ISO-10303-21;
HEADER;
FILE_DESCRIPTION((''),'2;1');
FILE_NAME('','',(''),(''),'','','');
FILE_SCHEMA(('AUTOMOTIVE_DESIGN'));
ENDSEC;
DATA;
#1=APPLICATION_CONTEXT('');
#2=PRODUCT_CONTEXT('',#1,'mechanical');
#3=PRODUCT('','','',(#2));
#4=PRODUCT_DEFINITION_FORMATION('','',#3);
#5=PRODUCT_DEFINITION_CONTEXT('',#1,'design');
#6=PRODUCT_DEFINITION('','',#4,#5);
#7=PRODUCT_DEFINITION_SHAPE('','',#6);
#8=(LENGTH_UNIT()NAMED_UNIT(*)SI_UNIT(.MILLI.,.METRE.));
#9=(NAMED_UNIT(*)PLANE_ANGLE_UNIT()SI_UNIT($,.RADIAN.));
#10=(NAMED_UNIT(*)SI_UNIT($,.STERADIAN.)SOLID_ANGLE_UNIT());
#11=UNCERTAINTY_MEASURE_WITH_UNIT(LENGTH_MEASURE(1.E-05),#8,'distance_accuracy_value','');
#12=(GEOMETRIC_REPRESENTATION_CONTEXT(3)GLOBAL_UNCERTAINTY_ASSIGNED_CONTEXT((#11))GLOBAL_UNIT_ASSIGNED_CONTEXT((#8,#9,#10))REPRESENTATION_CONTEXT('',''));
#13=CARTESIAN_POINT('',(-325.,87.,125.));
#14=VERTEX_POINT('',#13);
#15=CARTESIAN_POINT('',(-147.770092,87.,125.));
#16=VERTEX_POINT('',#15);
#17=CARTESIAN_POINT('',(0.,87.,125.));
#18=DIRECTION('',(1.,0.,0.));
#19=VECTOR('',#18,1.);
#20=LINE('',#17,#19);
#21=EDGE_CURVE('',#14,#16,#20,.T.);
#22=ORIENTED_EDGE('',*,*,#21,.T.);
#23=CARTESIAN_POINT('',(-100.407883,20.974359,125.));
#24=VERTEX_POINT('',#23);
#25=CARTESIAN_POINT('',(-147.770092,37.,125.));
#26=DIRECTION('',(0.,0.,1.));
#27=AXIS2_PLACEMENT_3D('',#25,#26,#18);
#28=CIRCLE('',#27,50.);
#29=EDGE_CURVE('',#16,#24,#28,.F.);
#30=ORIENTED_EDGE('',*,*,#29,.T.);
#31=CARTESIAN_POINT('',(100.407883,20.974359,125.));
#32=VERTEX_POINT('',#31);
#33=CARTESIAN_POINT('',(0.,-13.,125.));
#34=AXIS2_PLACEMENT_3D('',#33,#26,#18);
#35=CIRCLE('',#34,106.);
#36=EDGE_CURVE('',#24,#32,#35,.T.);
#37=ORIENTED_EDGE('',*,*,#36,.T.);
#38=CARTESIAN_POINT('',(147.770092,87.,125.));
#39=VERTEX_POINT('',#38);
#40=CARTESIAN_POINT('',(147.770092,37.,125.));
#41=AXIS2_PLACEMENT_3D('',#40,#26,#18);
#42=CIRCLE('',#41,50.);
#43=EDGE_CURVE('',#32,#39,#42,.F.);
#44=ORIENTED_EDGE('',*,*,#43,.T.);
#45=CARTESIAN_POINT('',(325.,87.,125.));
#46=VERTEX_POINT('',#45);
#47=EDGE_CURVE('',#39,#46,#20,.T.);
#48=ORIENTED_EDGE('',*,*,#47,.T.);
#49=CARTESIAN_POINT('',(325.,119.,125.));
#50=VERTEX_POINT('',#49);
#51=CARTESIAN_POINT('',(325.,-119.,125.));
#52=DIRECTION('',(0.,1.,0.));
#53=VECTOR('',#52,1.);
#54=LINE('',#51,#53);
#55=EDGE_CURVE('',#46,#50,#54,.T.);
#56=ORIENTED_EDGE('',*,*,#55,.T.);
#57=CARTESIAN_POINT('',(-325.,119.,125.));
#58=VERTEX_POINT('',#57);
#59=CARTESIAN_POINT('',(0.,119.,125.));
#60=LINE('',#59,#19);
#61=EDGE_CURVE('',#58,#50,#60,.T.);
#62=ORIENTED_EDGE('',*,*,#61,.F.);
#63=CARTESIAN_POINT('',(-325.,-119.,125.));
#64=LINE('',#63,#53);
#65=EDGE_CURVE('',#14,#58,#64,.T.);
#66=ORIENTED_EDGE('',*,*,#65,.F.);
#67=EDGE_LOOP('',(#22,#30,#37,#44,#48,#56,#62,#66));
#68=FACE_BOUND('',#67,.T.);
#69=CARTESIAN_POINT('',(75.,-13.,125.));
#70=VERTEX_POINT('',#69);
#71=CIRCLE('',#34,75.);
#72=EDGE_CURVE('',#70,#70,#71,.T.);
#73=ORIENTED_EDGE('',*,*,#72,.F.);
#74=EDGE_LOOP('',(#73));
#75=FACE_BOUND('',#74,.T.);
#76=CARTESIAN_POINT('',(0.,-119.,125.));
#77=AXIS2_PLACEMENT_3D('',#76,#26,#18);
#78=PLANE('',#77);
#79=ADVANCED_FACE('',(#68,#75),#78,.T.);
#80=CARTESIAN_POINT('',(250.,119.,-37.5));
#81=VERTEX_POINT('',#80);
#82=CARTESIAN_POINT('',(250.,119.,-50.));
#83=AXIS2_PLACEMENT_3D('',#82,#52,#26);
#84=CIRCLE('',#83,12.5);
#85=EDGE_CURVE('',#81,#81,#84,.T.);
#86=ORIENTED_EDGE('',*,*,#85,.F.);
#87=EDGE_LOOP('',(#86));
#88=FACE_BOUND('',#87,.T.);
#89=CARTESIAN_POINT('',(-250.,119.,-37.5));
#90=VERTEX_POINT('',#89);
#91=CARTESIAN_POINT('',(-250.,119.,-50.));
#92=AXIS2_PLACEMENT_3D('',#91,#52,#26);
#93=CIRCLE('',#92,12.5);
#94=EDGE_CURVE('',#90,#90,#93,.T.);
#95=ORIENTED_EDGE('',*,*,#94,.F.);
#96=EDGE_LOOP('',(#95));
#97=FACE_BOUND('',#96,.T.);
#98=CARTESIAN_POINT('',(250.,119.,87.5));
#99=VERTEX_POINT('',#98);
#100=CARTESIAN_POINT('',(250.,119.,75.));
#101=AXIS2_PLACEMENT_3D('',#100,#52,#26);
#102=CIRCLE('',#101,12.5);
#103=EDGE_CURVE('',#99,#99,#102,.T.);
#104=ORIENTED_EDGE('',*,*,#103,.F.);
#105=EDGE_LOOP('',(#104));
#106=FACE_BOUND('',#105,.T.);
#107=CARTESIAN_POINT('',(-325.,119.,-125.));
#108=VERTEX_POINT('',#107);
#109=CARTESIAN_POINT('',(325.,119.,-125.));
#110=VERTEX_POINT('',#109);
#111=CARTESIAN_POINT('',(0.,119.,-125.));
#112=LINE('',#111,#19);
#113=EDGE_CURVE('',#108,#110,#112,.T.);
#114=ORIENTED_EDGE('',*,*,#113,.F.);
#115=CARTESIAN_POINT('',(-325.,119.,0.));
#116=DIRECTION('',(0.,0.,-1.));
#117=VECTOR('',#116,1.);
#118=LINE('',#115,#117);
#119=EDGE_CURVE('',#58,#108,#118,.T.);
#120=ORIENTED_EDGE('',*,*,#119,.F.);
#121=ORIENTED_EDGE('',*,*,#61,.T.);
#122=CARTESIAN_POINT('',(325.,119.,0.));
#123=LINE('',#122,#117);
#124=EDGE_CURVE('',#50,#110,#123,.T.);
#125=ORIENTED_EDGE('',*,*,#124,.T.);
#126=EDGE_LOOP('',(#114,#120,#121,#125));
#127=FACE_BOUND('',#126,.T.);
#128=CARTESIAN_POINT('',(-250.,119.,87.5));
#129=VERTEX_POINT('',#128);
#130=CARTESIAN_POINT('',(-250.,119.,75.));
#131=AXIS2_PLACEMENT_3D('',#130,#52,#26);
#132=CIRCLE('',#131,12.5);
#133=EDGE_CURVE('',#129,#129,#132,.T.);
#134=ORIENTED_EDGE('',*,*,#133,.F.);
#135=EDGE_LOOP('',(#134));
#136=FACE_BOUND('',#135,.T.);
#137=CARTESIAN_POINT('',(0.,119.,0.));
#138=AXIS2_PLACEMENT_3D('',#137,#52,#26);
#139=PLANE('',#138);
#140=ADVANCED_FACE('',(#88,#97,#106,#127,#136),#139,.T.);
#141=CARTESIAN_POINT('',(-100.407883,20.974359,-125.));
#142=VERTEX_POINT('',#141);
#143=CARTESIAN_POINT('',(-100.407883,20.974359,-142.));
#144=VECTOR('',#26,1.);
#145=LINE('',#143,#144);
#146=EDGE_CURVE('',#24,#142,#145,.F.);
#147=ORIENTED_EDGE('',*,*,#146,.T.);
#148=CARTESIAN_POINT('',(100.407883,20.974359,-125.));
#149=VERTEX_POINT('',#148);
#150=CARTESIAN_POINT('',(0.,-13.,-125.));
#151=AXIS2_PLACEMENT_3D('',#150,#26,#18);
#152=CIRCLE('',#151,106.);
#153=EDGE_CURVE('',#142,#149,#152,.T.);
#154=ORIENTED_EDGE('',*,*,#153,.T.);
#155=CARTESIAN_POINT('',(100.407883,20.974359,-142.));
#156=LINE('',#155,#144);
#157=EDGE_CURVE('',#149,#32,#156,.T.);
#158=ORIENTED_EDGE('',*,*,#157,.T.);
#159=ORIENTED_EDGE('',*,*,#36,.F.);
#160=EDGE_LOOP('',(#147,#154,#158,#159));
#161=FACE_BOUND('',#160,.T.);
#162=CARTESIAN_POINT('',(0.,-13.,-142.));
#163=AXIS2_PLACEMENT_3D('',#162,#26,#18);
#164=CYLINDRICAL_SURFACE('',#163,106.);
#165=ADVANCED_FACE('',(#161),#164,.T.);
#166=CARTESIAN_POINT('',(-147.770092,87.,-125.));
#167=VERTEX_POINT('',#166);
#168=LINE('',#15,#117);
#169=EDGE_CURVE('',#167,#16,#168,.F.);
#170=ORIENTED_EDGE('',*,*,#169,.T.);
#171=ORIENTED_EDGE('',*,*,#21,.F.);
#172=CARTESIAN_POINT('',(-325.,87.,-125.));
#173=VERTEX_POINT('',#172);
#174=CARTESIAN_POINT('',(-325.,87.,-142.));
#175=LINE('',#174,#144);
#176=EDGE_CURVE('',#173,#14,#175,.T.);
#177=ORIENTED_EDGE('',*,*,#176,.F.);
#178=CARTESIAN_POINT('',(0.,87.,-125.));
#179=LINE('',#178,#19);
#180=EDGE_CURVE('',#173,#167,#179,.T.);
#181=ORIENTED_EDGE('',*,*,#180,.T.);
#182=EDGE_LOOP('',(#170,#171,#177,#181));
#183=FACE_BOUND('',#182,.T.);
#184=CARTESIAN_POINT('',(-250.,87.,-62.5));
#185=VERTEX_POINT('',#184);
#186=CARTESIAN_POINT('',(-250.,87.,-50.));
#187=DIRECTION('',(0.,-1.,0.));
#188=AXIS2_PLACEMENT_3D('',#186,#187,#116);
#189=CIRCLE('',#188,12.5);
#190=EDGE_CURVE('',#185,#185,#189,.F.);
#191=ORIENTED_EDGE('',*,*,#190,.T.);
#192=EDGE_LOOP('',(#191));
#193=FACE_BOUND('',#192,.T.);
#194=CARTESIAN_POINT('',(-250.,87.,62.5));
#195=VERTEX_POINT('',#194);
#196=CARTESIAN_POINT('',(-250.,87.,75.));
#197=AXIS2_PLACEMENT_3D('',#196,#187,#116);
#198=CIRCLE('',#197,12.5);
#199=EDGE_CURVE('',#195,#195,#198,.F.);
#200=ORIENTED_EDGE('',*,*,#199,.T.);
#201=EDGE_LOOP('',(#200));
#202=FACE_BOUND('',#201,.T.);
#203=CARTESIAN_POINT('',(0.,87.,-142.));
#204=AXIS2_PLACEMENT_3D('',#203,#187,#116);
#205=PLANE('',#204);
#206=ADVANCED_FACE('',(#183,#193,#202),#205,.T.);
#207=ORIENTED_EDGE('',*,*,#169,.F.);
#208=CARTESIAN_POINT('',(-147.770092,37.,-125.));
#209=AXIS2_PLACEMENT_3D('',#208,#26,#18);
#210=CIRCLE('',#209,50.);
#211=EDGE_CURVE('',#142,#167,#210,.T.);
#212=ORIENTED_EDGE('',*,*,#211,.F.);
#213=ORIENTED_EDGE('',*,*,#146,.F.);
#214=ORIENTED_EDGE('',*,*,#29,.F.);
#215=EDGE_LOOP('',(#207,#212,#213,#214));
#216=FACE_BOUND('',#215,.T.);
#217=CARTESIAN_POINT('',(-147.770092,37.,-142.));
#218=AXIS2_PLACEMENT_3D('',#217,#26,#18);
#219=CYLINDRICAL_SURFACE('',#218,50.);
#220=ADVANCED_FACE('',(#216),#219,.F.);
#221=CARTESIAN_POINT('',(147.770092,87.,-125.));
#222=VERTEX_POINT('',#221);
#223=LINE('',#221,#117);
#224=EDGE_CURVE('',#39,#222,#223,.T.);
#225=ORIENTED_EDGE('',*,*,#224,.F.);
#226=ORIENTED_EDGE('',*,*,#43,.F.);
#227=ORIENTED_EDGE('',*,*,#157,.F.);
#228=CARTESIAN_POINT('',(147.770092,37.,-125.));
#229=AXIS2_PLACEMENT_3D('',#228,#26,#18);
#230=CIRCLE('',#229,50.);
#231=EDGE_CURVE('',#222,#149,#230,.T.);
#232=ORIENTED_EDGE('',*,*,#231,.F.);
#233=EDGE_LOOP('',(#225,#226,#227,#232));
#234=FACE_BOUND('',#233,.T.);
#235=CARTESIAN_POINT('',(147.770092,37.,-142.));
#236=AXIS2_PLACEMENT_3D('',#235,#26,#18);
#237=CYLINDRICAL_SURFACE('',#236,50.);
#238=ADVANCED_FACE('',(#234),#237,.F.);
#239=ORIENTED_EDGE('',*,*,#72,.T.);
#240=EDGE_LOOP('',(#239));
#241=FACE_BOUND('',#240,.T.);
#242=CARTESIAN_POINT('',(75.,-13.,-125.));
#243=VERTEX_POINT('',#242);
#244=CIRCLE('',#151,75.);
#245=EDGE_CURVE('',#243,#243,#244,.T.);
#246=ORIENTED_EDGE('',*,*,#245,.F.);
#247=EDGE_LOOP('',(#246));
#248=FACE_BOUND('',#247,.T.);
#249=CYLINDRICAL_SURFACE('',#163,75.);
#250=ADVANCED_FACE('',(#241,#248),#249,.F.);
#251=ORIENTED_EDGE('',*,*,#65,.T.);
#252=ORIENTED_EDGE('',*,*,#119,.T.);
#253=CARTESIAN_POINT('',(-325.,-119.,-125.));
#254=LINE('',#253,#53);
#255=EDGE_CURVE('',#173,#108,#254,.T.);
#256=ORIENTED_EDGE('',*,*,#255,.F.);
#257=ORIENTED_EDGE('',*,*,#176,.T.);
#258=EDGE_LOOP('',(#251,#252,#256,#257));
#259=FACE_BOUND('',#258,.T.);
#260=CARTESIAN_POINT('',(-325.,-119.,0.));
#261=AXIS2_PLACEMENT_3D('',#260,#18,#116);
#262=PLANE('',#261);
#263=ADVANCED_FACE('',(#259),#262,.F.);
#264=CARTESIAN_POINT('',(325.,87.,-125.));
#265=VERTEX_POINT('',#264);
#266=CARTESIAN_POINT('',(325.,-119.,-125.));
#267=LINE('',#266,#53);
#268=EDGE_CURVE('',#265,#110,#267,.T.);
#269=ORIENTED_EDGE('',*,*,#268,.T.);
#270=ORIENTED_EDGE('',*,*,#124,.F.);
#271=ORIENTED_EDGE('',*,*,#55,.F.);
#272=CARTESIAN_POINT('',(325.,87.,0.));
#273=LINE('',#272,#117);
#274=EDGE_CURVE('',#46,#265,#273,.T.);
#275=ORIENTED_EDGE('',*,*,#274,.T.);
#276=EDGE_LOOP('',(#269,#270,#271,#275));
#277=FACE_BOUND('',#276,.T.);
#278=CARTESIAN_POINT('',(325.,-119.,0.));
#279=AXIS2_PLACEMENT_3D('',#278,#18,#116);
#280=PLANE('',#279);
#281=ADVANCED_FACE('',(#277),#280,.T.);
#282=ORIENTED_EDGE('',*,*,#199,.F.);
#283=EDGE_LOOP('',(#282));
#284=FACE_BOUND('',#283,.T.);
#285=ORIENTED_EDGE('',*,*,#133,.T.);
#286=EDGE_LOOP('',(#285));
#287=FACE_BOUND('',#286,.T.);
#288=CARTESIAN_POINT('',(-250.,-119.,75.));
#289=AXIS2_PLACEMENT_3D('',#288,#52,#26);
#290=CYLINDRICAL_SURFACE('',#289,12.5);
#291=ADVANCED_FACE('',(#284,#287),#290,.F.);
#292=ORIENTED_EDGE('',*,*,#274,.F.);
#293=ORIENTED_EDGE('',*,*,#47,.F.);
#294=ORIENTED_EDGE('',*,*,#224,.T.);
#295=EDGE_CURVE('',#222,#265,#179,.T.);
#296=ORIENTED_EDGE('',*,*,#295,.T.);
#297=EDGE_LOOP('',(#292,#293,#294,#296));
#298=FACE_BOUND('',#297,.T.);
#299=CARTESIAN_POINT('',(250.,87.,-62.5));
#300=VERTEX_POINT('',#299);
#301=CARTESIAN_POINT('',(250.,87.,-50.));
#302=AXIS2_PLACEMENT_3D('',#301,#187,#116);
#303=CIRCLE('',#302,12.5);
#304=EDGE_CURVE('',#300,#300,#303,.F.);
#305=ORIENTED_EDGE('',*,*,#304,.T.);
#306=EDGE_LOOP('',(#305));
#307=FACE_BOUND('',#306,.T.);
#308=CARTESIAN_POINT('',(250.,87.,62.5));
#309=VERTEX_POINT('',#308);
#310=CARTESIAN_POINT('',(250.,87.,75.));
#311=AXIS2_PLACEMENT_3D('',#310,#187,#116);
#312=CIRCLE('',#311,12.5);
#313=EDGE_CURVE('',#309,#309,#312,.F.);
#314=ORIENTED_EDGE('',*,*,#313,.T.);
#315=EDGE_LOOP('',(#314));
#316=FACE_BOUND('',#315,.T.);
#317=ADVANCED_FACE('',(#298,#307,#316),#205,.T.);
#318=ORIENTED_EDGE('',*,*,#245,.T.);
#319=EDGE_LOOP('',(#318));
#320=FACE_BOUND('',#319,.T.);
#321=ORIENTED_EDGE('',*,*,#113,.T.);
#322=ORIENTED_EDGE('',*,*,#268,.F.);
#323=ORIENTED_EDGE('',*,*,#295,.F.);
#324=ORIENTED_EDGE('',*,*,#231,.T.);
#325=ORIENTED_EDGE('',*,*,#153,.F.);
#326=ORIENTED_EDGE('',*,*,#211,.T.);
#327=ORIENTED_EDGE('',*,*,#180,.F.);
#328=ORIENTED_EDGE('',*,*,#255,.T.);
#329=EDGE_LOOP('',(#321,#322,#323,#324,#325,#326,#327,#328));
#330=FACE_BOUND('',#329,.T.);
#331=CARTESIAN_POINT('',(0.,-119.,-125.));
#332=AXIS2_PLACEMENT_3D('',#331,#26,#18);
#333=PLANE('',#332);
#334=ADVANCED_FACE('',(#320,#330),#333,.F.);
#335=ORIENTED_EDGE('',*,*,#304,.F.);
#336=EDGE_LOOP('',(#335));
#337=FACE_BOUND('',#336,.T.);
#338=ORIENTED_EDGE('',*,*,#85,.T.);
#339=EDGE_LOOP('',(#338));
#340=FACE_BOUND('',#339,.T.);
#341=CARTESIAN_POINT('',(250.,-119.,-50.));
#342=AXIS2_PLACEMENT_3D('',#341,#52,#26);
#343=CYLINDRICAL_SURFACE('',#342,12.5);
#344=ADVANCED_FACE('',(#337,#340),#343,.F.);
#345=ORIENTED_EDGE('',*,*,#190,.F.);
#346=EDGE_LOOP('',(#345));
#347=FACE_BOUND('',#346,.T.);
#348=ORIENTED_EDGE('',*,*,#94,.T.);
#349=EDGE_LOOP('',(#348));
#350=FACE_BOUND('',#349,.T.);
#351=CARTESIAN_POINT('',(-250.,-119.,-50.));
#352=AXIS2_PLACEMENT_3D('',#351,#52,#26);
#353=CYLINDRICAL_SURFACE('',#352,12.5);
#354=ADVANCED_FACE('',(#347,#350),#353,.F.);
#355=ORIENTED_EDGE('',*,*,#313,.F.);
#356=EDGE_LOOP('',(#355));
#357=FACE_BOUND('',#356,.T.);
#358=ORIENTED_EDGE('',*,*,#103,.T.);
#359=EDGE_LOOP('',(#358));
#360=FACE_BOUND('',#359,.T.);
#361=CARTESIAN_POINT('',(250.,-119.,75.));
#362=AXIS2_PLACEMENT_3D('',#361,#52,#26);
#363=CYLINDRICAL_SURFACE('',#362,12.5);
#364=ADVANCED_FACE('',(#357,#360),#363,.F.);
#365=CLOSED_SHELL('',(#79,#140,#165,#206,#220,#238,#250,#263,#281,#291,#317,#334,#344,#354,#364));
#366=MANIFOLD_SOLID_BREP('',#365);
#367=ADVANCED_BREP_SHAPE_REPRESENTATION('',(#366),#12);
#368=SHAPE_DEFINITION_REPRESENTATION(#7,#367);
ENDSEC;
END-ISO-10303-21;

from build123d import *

# Parameters (mm, degrees)
SKETCH1_W           = 650
SKETCH1_H           = 250
SKETCH1_R           = 12.5
BOSS_EXTRUDE1_DEPTH = 119
SKETCH2_R           = 75
CUT_EXTRUDE1_DEPTH  = 267
FILLET1_R           = 50


with BuildPart() as part:
    # Sketch1 → Boss-Extrude1 (new body, symmetric)
    with BuildSketch(Plane(origin=(0, 0, 0), x_dir=(1, 0, 0), z_dir=(0, 1, 0))):
        Rectangle(SKETCH1_W, SKETCH1_H)
        with Locations((-250, -75)):
            Circle(SKETCH1_R, mode=Mode.SUBTRACT)
        with Locations((250, -75)):
            Circle(SKETCH1_R, mode=Mode.SUBTRACT)
        with Locations((250, 50)):
            Circle(SKETCH1_R, mode=Mode.SUBTRACT)
        with Locations((-250, 50)):
            Circle(SKETCH1_R, mode=Mode.SUBTRACT)
    extrude(amount=BOSS_EXTRUDE1_DEPTH, both=True)

    # Sketch2 → Cut-Extrude1 (cut)
    with BuildSketch(Plane.XY.offset(125)):
        with BuildLine():
            Line((-35.156791662, 87), (-325, 87))
            Line((-325, 87), (-325, -119))
            Line((-325, -119), (-5.04e-07, -119))
            ThreePointArc((-5.04e-07, -119), (-104.489233938, -30.832554252), (-35.156791662, 87))
        make_face()
        with BuildLine():
            Line((325, -119), (325, 87))
            Line((325, 87), (35.156791662, 87))
            ThreePointArc((35.156791662, 87), (104.489233853, -30.832554748), (-5.04e-07, -119))
            Line((-5.04e-07, -119), (325, -119))
        make_face()
        with Locations((0, -13)):
            Circle(SKETCH2_R)
    extrude(amount=-CUT_EXTRUDE1_DEPTH, mode=Mode.SUBTRACT)

    # Fillet1
    fillet1_edges = [part.edges().sort_by_distance(p)[0] for p in [
        (-35.156791662, 87, 0),
        (35.156791662, 87, 0),
    ]]
    fillet(fillet1_edges, radius=FILLET1_R)


solid = part.part
